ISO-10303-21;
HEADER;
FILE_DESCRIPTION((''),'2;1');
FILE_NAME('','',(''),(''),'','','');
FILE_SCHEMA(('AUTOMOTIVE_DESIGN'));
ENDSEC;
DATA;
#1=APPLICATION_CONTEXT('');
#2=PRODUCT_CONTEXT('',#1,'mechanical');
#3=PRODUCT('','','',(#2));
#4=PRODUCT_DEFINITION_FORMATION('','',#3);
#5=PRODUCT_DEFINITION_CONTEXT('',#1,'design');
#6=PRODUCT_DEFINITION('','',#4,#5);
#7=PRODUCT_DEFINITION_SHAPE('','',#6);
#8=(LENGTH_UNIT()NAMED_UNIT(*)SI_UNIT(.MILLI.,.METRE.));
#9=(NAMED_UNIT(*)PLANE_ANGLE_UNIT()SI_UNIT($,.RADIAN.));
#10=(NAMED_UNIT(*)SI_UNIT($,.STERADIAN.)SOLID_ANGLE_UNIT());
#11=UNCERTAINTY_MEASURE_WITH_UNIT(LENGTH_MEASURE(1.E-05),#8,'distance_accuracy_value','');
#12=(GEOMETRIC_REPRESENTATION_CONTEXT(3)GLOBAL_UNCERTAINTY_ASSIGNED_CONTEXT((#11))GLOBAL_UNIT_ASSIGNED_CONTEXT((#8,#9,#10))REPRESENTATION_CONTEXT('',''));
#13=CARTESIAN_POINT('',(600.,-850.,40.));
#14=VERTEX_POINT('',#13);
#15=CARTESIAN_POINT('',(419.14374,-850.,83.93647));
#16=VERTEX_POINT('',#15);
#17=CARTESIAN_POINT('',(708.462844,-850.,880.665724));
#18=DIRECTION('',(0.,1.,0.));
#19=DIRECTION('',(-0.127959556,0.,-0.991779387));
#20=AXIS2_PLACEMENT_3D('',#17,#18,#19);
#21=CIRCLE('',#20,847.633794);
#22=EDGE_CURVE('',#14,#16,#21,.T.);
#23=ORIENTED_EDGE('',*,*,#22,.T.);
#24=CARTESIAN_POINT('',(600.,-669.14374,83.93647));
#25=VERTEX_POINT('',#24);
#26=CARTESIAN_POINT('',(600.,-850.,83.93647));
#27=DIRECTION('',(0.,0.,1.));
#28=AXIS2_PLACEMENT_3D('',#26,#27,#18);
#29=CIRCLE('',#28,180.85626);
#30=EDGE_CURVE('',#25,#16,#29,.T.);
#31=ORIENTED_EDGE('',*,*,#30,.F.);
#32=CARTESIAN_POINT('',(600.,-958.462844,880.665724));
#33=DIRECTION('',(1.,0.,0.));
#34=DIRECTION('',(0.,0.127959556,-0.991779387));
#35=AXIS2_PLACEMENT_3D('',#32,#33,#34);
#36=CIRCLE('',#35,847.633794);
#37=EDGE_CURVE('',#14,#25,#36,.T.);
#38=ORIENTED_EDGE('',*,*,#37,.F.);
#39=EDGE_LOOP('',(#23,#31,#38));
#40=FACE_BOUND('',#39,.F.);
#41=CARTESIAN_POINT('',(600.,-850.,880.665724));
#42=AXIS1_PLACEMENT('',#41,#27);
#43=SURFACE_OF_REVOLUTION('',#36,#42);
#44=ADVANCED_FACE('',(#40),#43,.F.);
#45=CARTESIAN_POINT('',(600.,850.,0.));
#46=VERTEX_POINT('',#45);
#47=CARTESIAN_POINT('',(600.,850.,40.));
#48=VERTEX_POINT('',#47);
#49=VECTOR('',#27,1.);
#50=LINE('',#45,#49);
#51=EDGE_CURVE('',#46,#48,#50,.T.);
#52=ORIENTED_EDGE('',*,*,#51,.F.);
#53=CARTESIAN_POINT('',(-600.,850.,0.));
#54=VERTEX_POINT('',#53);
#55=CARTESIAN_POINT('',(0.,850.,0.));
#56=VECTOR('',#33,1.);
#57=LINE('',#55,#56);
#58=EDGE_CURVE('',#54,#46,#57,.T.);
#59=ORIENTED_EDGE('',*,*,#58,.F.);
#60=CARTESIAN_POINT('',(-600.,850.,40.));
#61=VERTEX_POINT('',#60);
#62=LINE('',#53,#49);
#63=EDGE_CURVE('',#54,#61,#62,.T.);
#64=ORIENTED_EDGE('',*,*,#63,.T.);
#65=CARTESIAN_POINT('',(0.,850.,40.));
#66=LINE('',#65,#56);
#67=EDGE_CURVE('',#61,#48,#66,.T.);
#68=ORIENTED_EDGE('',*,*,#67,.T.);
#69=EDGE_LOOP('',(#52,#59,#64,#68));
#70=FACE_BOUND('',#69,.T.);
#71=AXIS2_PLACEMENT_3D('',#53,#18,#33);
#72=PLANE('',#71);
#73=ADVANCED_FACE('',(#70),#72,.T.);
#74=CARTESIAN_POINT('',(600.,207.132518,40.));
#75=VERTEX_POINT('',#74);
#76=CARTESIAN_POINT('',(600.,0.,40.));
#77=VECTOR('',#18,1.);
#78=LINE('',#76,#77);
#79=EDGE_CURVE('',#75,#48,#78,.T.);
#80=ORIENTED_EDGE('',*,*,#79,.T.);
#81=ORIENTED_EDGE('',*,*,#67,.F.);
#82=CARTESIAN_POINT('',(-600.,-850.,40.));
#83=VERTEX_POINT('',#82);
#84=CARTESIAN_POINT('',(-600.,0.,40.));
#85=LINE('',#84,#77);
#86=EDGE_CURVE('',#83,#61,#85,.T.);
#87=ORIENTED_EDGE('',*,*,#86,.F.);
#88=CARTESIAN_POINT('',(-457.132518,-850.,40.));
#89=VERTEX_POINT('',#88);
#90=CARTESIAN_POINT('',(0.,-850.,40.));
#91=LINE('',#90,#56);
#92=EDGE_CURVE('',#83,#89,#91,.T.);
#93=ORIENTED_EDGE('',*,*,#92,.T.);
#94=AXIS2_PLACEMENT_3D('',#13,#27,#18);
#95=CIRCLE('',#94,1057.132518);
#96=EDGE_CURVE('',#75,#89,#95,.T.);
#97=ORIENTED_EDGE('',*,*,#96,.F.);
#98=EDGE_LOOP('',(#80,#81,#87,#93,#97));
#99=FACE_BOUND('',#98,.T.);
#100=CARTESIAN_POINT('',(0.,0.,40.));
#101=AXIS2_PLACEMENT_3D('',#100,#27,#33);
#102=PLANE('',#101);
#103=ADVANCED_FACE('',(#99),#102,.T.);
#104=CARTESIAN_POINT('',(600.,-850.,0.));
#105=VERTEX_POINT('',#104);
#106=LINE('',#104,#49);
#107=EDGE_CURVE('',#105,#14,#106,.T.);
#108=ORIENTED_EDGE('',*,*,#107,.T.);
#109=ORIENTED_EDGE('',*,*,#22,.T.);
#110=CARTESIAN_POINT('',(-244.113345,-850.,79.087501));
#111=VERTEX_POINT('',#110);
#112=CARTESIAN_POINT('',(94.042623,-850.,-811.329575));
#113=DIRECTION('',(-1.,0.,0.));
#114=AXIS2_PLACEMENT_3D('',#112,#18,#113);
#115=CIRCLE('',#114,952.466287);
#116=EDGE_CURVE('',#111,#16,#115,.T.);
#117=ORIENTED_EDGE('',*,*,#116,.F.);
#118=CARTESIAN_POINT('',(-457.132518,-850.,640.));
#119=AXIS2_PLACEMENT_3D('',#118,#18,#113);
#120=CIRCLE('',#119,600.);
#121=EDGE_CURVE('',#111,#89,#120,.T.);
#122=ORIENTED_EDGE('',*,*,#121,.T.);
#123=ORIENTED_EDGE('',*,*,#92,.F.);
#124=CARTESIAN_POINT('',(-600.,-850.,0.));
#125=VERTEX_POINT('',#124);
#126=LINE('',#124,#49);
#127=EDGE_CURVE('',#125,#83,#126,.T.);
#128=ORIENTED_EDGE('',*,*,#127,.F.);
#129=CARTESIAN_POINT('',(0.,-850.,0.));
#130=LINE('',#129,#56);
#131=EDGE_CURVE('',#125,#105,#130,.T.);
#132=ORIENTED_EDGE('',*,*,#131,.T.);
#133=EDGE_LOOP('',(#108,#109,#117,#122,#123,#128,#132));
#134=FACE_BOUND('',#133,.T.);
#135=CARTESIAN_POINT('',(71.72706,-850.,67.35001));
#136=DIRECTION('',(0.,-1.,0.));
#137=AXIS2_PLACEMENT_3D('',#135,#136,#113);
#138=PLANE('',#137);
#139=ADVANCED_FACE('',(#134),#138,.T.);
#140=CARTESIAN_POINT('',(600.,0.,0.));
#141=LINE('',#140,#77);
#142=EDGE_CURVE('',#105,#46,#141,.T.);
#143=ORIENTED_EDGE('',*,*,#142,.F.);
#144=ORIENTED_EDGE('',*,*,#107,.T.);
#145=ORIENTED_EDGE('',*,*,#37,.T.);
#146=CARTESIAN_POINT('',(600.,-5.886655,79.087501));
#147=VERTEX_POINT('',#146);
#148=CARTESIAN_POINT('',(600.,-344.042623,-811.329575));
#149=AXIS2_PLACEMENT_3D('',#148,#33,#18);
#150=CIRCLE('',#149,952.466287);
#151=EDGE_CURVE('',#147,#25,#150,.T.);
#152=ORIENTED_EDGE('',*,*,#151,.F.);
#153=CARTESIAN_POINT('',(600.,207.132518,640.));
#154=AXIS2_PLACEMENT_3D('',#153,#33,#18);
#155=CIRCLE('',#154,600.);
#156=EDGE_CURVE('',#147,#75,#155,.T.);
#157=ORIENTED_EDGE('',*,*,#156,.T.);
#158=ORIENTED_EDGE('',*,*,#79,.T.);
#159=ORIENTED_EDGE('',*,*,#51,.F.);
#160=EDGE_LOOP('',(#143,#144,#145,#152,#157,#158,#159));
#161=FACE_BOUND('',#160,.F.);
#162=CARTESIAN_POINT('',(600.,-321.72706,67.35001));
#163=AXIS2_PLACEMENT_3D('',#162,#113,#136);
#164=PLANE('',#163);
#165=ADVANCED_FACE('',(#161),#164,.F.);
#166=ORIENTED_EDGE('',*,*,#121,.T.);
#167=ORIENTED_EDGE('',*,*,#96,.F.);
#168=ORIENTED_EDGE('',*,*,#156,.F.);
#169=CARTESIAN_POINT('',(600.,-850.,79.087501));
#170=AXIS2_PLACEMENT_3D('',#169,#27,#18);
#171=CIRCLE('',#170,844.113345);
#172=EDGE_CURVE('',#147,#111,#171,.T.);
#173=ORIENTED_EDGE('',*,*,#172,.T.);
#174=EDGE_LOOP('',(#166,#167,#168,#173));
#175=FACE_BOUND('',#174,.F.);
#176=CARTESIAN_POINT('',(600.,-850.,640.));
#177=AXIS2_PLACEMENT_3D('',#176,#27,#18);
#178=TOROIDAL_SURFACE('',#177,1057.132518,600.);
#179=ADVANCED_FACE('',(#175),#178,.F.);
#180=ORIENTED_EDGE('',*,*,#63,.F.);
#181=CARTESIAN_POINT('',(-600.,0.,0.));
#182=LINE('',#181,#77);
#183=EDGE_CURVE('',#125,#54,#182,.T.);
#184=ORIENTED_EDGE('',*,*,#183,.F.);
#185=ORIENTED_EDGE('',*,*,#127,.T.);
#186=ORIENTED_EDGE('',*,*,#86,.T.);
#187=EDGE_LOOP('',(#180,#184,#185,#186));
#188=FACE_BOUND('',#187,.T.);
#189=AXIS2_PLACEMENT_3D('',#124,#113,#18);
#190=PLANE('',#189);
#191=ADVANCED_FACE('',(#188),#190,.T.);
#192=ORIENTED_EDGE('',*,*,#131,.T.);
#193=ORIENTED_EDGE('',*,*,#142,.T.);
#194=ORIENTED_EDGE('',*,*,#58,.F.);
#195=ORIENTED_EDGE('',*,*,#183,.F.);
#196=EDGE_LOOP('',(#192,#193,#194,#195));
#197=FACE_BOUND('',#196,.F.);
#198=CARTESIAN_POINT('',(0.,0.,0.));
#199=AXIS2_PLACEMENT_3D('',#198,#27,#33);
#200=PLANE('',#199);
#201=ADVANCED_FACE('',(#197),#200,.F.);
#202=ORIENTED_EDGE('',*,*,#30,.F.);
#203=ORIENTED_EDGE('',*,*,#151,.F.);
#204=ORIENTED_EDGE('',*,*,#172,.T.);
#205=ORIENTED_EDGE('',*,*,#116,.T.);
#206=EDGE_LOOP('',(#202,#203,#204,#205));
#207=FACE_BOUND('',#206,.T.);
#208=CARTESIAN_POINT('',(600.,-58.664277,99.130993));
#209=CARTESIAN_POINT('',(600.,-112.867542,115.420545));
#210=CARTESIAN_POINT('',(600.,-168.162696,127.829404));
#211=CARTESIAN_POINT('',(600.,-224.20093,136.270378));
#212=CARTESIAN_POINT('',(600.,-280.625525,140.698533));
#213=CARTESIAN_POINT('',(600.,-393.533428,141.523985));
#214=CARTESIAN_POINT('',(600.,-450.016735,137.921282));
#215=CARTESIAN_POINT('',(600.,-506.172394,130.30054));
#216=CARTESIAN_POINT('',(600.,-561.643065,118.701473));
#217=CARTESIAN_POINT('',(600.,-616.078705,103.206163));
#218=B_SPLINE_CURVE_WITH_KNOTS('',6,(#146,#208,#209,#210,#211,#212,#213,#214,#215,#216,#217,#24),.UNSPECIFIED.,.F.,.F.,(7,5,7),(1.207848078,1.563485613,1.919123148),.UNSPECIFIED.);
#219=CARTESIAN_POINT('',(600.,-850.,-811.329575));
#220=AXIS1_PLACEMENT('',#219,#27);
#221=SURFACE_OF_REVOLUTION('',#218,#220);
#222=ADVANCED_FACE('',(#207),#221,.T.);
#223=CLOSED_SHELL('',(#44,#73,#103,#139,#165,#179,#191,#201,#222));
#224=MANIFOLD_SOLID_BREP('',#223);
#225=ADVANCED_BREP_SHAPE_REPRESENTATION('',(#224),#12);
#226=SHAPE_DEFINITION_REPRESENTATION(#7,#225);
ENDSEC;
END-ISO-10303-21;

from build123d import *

# Parameters (mm, degrees)
F0_W     = 1200
F0_H     = 1700
F1_DEPTH = 40


with BuildPart() as f1:
    # F0 (on Top) → F1 (new body)
    with BuildSketch(Plane.XY):
        Rectangle(F0_W, F0_H)
    extrude(amount=F1_DEPTH)

    # F4: sweep along a path in F2
    with BuildLine(Plane.XY.offset(40)) as f4_path:
        ThreePointArc((600, 207.1325182915), (-147.5055722967, -102.4944277033), (-457.1325182915, -850))
    # F3 (on face) → F4 (sweep)
    with BuildSketch(Plane.XZ.offset(850)):
        with BuildLine():
            Line((-457.1325182915, 40), (600, 40))
            ThreePointArc((600, 40), (508.3623118642, 56.9893159834), (419.1437396466, 83.9364701175))
            ThreePointArc((419.1437396466, 83.9364701175), (87.0794762527, 141.1112589254), (-244.1133451009, 79.0875007158))
            ThreePointArc((-244.1133451009, 79.0875007158), (-348.8447063515, 49.8527727886), (-457.1325182915, 40))
        make_face()
    sweep(path=f4_path.line)


solid = f1.part
